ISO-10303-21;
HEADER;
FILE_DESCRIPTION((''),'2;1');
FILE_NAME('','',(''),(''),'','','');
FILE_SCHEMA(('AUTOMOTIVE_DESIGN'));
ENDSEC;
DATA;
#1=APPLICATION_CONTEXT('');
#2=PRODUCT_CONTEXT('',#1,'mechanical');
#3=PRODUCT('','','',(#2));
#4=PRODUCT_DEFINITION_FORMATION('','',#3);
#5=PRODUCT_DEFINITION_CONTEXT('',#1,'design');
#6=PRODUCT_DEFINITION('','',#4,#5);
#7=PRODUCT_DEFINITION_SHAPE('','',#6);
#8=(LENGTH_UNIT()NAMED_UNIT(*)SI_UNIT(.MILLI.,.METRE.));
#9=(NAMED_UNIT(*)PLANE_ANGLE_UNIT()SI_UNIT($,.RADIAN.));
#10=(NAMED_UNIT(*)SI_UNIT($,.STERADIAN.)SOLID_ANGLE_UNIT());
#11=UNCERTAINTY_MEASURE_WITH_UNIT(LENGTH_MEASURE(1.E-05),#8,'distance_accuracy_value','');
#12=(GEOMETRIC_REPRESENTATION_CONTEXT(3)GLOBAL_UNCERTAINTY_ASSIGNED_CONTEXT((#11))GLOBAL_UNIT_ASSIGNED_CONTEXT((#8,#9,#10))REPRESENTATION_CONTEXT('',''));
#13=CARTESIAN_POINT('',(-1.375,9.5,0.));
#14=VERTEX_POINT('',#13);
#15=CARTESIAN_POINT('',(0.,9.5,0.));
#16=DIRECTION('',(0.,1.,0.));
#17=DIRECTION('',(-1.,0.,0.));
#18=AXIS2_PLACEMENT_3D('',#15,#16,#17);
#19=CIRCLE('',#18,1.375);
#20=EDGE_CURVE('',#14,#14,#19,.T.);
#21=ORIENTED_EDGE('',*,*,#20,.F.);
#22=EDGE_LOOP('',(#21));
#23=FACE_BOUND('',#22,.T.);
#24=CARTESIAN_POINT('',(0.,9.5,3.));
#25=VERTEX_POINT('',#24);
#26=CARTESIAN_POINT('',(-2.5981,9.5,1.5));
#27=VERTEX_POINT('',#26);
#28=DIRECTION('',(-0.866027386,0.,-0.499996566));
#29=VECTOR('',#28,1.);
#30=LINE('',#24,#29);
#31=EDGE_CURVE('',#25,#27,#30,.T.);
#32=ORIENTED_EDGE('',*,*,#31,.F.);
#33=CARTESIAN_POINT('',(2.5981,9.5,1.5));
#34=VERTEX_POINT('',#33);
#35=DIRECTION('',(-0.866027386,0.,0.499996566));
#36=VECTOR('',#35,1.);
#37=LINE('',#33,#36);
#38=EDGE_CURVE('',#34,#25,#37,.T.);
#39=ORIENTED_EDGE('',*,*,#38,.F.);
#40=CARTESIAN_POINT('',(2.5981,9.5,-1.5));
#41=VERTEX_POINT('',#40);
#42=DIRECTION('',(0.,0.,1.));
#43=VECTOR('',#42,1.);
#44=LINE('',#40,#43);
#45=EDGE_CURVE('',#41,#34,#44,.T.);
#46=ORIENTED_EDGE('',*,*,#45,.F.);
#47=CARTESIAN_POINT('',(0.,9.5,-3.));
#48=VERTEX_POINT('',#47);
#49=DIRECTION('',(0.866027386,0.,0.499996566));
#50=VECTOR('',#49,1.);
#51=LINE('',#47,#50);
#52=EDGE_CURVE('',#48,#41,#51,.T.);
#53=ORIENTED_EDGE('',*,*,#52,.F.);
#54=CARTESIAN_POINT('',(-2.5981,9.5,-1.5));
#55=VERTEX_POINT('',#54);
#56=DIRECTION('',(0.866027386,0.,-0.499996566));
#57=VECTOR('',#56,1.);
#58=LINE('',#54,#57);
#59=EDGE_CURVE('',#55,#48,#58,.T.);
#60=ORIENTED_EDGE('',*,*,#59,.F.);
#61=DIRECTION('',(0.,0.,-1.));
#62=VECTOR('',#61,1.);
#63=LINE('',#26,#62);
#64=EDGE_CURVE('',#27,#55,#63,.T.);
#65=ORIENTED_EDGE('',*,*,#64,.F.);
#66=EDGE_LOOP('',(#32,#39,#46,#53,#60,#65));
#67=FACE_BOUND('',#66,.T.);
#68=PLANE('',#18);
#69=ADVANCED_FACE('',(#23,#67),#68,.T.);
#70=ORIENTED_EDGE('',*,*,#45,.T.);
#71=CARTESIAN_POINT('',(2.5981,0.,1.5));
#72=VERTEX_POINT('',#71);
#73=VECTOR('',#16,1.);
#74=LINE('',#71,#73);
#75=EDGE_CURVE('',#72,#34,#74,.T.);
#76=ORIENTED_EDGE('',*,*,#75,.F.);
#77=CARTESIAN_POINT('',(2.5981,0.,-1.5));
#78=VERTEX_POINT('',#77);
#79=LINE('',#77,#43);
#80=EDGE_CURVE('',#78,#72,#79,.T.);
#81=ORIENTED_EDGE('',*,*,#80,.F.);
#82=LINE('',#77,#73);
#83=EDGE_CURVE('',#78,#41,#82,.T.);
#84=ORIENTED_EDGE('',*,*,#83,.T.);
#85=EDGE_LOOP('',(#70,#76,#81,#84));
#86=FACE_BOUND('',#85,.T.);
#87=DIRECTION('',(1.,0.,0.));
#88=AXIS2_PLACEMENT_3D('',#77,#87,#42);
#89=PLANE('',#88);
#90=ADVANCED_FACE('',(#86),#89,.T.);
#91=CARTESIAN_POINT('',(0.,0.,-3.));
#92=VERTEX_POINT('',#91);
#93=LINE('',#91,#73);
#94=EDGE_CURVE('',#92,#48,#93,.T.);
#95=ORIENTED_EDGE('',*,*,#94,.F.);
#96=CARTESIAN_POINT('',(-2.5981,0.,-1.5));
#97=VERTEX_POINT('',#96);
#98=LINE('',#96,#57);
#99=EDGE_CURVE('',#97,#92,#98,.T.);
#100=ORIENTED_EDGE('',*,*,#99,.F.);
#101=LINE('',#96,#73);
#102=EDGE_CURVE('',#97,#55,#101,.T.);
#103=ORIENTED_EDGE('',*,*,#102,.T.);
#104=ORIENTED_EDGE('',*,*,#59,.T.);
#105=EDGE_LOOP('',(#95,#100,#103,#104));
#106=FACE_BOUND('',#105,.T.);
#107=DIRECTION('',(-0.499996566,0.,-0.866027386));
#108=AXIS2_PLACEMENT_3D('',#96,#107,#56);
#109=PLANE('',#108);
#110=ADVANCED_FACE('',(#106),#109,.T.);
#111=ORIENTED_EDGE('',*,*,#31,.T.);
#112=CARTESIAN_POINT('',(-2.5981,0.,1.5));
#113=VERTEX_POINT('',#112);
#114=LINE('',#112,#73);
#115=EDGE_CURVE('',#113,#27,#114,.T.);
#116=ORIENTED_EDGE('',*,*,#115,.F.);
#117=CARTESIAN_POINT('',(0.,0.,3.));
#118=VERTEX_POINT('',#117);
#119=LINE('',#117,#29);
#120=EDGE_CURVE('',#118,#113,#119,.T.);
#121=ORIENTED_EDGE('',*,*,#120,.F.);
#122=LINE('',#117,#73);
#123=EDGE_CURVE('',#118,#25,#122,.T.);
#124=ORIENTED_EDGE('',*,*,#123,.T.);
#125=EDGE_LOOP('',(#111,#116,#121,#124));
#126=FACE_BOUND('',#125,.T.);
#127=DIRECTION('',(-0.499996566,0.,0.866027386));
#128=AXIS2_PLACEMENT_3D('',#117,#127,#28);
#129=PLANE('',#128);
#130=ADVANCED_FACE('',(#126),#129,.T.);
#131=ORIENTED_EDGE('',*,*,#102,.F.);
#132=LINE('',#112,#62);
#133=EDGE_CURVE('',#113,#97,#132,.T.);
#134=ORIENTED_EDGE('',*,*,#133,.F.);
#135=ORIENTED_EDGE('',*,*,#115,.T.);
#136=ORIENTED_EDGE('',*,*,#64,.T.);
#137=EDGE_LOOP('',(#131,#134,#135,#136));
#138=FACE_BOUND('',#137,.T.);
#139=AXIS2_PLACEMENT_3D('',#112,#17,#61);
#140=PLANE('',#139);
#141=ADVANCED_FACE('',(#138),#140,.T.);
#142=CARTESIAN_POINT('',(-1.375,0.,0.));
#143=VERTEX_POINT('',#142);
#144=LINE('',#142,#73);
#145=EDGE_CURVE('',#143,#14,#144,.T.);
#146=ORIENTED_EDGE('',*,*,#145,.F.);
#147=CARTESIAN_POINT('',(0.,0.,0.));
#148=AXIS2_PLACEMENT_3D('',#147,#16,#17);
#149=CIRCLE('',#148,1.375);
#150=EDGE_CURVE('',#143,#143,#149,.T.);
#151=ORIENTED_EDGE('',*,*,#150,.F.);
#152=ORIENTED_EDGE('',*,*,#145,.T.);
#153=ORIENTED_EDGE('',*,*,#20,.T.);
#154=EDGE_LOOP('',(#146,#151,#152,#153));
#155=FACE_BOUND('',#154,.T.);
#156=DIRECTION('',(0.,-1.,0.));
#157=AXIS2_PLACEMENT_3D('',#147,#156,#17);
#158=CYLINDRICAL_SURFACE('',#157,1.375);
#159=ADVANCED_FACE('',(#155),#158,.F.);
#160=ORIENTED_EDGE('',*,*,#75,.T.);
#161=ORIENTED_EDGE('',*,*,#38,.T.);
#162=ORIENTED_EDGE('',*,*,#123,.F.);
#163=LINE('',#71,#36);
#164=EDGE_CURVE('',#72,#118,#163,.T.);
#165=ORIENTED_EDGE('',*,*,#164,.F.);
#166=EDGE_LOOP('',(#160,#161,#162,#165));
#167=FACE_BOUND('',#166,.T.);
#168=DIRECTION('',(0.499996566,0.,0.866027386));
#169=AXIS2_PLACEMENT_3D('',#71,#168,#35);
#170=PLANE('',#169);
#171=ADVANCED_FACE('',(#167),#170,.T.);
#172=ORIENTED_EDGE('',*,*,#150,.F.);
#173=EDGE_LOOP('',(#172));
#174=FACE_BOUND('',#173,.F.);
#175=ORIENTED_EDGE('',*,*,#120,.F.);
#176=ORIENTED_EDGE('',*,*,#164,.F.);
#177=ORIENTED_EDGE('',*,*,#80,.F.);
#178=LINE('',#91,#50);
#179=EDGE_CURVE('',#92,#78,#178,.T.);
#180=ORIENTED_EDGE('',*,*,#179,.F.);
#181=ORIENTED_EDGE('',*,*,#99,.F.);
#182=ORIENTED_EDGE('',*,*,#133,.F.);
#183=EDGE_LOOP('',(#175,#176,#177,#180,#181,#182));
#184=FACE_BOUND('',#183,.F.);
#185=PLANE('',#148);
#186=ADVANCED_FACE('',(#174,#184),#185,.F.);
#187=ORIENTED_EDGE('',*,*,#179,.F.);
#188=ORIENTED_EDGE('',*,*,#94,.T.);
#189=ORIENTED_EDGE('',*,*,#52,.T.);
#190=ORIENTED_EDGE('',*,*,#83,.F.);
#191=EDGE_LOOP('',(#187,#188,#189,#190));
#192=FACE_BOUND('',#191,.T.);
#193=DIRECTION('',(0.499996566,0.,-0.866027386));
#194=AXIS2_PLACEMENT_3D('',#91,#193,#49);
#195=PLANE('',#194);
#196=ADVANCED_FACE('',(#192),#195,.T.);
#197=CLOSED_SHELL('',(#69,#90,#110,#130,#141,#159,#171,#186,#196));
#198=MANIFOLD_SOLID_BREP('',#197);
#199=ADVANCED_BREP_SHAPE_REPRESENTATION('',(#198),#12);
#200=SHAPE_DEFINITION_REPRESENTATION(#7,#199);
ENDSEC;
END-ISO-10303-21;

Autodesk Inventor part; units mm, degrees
ref_plane "YZ Plane" through (0, 0, 0) normal (1, 0, 0) x (0, 1, 0)
ref_plane "XZ Plane" through (0, 0, 0) normal (0, 1, 0) x (-1, 0, 0)
ref_plane "XY Plane" through (0, 0, 0) normal (0, 0, 1) x (1, 0, 0)
sketch "Boceto1" plane through (0, 0, 0) normal (0, 1, 0) x (-1, 0, 0)
  circle A0 centre (0, 0) radius 1.375
  circle A1 centre (0, 0) radius 3
  line L0 (0, -3) -> (-2.5981, -1.5)
  line L1 (-2.5981, -1.5) -> (-2.5981, 1.5)
  line L2 (-2.5981, 1.5) -> (0, 3)
  line L3 (0, 3) -> (2.5981, 1.5)
  line L4 (2.5981, 1.5) -> (2.5981, -1.5)
  line L5 (2.5981, -1.5) -> (0, -3)
  dimension "d1" = 6
  dimension "d0" = 2.75
extrude "Extrusión1" add sketch "Boceto1" along normal blind 9.5 contours L4 L5 L0 L1 L2 L3
properties part number "Espaciador"
